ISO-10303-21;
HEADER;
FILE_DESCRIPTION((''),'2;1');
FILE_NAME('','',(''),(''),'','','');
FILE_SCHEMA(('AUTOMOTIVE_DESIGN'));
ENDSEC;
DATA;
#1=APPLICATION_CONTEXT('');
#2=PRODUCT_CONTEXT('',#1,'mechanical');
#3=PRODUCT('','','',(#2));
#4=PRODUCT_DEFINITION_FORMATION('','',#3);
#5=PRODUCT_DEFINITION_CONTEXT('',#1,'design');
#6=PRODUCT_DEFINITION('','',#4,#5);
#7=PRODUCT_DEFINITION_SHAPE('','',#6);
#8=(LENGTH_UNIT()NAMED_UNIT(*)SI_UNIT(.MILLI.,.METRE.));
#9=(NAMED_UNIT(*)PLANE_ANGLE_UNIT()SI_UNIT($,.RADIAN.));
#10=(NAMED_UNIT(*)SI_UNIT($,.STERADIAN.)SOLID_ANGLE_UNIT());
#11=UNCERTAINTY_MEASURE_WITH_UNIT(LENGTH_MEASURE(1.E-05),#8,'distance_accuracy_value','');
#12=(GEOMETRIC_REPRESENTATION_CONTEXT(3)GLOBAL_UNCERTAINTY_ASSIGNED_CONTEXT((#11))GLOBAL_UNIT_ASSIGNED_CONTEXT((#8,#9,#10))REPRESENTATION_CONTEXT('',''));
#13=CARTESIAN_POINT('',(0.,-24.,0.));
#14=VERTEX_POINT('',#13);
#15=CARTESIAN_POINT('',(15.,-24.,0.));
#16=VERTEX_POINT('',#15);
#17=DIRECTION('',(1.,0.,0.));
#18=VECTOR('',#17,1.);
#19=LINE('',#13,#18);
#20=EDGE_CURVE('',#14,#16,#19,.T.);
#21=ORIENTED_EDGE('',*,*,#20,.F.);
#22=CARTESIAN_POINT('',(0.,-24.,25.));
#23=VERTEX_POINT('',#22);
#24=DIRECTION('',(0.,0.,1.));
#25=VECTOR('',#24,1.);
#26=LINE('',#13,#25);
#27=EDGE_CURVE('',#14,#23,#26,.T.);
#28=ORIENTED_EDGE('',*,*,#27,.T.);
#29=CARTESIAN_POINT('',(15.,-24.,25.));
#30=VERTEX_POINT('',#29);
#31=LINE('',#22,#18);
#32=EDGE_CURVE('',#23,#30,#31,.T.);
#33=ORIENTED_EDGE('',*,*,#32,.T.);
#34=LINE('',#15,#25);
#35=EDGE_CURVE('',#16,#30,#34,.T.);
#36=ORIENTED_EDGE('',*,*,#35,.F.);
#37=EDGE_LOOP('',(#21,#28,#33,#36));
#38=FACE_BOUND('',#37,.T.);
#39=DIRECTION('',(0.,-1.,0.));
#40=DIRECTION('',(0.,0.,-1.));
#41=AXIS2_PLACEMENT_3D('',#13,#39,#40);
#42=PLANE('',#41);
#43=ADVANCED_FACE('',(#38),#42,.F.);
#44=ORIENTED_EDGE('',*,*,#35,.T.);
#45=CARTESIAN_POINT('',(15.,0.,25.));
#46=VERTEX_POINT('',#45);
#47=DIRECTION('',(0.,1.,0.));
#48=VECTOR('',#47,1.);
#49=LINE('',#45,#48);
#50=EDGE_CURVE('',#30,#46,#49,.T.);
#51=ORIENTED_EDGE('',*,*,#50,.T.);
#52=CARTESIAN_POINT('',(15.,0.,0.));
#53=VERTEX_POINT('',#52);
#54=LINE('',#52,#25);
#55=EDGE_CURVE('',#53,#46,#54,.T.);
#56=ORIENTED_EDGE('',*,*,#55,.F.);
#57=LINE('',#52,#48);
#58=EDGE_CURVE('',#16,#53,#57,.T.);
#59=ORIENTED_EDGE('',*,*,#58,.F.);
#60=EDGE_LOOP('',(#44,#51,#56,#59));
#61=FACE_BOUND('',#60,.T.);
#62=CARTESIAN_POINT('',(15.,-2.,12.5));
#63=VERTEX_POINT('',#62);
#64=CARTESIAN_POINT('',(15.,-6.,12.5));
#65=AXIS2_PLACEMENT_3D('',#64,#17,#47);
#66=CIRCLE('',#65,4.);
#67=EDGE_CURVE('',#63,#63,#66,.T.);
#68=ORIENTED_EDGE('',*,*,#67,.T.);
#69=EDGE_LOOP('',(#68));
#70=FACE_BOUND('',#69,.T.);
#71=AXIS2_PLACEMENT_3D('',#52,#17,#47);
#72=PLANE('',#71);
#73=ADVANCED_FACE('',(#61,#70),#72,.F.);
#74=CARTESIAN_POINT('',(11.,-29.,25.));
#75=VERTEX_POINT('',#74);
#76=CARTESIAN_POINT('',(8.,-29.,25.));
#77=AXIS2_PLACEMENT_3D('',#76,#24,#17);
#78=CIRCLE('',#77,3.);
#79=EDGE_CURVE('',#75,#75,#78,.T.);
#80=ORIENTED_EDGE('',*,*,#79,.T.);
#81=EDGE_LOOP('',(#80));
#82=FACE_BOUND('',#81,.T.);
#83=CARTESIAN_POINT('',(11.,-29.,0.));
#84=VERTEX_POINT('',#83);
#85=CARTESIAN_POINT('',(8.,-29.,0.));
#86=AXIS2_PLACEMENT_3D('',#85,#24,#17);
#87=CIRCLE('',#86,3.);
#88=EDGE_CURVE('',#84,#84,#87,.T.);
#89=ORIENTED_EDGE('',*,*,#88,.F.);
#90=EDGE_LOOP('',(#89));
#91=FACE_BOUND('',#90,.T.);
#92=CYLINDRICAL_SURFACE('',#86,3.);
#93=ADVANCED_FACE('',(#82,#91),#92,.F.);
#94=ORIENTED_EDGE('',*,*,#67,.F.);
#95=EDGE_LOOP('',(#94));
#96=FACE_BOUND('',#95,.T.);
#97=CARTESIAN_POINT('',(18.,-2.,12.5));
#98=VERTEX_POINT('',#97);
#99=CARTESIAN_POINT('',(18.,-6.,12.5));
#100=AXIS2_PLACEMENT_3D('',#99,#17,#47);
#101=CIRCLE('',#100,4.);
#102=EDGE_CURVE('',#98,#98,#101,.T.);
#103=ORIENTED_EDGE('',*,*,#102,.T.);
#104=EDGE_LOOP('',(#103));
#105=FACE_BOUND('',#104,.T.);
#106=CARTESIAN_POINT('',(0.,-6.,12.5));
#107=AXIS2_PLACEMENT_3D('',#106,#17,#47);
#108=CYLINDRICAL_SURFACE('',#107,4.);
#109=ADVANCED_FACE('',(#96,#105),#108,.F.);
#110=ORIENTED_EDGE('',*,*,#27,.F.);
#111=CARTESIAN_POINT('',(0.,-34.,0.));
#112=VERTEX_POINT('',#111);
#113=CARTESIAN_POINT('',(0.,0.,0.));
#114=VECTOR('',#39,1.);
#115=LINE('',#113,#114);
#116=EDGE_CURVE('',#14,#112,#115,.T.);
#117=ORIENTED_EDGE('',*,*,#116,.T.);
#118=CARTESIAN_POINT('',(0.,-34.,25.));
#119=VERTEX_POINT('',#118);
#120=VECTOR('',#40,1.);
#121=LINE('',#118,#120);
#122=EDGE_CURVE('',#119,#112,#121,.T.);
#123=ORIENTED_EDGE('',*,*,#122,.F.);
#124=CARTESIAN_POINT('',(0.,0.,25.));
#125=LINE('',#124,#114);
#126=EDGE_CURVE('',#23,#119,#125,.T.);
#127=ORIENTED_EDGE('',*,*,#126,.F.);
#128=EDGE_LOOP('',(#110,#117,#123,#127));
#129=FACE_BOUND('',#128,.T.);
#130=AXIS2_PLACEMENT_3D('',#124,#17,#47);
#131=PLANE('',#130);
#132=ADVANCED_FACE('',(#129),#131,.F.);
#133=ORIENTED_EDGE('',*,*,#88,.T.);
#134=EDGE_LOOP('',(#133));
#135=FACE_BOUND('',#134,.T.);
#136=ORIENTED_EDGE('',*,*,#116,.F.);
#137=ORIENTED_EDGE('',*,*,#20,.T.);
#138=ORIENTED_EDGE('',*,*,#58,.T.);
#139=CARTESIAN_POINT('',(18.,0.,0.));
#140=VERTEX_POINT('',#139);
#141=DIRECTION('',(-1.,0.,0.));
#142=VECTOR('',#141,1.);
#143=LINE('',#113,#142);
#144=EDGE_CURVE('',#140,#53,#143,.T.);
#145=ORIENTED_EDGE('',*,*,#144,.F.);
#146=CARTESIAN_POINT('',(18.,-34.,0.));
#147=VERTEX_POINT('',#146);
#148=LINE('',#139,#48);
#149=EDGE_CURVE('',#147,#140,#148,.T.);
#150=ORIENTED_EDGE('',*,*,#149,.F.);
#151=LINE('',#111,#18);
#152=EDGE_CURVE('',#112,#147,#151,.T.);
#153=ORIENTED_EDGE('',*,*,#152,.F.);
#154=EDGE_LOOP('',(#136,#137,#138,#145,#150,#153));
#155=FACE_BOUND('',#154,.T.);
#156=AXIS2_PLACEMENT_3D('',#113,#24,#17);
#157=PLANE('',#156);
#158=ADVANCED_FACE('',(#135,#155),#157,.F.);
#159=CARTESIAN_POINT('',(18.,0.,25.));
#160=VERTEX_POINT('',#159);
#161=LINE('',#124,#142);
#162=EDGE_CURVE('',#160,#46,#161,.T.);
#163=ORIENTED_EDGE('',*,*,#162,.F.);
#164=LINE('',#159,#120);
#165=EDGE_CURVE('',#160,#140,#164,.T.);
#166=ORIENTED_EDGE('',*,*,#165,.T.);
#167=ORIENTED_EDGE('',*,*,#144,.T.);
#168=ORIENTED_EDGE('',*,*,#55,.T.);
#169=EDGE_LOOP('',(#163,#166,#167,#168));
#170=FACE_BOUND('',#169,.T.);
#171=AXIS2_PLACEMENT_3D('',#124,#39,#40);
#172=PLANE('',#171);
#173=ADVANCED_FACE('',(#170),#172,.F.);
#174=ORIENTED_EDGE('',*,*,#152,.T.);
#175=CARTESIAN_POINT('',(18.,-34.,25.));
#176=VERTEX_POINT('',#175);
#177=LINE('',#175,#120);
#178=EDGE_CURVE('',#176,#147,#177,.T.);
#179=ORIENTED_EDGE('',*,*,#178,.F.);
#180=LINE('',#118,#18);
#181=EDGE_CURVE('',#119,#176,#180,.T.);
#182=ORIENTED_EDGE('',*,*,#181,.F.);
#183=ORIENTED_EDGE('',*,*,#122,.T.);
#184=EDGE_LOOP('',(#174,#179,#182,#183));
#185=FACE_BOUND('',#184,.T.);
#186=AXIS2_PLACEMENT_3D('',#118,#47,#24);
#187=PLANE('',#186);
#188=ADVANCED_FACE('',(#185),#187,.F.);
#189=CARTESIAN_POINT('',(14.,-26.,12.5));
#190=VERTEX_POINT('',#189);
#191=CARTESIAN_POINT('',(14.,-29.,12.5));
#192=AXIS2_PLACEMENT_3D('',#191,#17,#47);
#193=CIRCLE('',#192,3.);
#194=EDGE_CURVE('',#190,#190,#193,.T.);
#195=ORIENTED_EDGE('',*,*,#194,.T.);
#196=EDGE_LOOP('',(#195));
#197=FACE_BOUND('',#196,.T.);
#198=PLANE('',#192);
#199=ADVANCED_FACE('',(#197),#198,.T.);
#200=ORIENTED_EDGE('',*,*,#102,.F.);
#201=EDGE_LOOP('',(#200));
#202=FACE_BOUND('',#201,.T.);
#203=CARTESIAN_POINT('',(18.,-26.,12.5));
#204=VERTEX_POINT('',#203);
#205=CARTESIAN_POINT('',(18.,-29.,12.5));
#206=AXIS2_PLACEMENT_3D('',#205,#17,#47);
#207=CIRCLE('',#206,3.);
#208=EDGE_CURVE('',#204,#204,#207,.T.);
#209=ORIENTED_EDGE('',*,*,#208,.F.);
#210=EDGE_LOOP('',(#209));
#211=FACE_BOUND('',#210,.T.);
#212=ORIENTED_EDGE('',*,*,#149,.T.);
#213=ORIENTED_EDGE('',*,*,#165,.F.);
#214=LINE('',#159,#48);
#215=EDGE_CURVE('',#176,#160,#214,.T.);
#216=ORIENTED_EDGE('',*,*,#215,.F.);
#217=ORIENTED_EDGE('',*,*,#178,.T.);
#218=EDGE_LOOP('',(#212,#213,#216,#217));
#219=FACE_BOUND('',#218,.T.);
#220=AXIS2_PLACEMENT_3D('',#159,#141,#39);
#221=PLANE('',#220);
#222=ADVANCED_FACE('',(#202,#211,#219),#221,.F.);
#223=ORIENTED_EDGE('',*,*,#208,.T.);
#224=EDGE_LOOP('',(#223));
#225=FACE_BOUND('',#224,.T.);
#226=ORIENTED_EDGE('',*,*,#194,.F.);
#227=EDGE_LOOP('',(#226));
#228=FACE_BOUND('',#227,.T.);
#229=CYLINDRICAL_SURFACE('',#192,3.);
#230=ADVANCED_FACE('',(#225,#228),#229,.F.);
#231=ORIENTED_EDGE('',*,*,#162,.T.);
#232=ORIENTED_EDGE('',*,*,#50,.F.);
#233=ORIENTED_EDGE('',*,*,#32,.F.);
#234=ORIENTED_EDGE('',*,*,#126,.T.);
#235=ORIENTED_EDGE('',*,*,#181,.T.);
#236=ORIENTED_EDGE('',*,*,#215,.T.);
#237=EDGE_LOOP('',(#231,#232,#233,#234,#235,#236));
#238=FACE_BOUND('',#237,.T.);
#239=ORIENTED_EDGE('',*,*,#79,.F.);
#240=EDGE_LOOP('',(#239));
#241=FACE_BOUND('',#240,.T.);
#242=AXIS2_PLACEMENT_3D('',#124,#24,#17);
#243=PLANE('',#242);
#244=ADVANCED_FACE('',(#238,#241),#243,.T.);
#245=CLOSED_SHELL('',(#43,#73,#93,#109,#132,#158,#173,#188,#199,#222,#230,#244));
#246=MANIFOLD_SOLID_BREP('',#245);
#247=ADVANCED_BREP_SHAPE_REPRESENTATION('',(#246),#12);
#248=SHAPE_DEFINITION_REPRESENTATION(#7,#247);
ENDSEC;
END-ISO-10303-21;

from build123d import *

# Parameters (mm, degrees)
ESQUISSE1_W             = 18
ESQUISSE1_H             = 34
BOSS_EXTRU_1_DEPTH      = 25
ESQUISSE2_R             = 3
ESQUISSE2_W             = 15
ESQUISSE2_H             = 24
ENL_V_MAT_EXTRU_1_DEPTH = 26
ESQUISSE3_R             = 3
ENL_V_MAT_EXTRU_2_DEPTH = 4
ESQUISSE4_R             = 4
ENL_V_MAT_EXTRU_3_DEPTH = 19


with BuildPart() as part:
    # Esquisse1 → Boss.-Extru.1 (new body)
    with BuildSketch(Plane.XY):
        with Locations((9, -17)):
            Rectangle(ESQUISSE1_W, ESQUISSE1_H)
    extrude(amount=BOSS_EXTRU_1_DEPTH)

    # Esquisse2 → Enlèv. mat.-Extru.1 (cut, through all)
    with BuildSketch(Plane.XY.offset(25)):
        with Locations((8, -29)):
            Circle(ESQUISSE2_R)
        with Locations((7.5, -12)):
            Rectangle(ESQUISSE2_W, ESQUISSE2_H)
    extrude(amount=-ENL_V_MAT_EXTRU_1_DEPTH, mode=Mode.SUBTRACT)

    # Esquisse3 → Enlèv. mat.-Extru.2 (cut)
    with BuildSketch(Plane(origin=(18, 0, 0), x_dir=(0, 0, -1), z_dir=(1, 0, 0))):
        with Locations((-12.5, -29)):
            Circle(ESQUISSE3_R)
    extrude(amount=-ENL_V_MAT_EXTRU_2_DEPTH, mode=Mode.SUBTRACT)

    # Esquisse4 → Enlèv. mat.-Extru.3 (cut, through all)
    with BuildSketch(Plane(origin=(18, 0, 0), x_dir=(0, 0, -1), z_dir=(1, 0, 0))):
        with Locations((-12.5, -6)):
            Circle(ESQUISSE4_R)
    extrude(amount=-ENL_V_MAT_EXTRU_3_DEPTH, mode=Mode.SUBTRACT)


solid = part.part
